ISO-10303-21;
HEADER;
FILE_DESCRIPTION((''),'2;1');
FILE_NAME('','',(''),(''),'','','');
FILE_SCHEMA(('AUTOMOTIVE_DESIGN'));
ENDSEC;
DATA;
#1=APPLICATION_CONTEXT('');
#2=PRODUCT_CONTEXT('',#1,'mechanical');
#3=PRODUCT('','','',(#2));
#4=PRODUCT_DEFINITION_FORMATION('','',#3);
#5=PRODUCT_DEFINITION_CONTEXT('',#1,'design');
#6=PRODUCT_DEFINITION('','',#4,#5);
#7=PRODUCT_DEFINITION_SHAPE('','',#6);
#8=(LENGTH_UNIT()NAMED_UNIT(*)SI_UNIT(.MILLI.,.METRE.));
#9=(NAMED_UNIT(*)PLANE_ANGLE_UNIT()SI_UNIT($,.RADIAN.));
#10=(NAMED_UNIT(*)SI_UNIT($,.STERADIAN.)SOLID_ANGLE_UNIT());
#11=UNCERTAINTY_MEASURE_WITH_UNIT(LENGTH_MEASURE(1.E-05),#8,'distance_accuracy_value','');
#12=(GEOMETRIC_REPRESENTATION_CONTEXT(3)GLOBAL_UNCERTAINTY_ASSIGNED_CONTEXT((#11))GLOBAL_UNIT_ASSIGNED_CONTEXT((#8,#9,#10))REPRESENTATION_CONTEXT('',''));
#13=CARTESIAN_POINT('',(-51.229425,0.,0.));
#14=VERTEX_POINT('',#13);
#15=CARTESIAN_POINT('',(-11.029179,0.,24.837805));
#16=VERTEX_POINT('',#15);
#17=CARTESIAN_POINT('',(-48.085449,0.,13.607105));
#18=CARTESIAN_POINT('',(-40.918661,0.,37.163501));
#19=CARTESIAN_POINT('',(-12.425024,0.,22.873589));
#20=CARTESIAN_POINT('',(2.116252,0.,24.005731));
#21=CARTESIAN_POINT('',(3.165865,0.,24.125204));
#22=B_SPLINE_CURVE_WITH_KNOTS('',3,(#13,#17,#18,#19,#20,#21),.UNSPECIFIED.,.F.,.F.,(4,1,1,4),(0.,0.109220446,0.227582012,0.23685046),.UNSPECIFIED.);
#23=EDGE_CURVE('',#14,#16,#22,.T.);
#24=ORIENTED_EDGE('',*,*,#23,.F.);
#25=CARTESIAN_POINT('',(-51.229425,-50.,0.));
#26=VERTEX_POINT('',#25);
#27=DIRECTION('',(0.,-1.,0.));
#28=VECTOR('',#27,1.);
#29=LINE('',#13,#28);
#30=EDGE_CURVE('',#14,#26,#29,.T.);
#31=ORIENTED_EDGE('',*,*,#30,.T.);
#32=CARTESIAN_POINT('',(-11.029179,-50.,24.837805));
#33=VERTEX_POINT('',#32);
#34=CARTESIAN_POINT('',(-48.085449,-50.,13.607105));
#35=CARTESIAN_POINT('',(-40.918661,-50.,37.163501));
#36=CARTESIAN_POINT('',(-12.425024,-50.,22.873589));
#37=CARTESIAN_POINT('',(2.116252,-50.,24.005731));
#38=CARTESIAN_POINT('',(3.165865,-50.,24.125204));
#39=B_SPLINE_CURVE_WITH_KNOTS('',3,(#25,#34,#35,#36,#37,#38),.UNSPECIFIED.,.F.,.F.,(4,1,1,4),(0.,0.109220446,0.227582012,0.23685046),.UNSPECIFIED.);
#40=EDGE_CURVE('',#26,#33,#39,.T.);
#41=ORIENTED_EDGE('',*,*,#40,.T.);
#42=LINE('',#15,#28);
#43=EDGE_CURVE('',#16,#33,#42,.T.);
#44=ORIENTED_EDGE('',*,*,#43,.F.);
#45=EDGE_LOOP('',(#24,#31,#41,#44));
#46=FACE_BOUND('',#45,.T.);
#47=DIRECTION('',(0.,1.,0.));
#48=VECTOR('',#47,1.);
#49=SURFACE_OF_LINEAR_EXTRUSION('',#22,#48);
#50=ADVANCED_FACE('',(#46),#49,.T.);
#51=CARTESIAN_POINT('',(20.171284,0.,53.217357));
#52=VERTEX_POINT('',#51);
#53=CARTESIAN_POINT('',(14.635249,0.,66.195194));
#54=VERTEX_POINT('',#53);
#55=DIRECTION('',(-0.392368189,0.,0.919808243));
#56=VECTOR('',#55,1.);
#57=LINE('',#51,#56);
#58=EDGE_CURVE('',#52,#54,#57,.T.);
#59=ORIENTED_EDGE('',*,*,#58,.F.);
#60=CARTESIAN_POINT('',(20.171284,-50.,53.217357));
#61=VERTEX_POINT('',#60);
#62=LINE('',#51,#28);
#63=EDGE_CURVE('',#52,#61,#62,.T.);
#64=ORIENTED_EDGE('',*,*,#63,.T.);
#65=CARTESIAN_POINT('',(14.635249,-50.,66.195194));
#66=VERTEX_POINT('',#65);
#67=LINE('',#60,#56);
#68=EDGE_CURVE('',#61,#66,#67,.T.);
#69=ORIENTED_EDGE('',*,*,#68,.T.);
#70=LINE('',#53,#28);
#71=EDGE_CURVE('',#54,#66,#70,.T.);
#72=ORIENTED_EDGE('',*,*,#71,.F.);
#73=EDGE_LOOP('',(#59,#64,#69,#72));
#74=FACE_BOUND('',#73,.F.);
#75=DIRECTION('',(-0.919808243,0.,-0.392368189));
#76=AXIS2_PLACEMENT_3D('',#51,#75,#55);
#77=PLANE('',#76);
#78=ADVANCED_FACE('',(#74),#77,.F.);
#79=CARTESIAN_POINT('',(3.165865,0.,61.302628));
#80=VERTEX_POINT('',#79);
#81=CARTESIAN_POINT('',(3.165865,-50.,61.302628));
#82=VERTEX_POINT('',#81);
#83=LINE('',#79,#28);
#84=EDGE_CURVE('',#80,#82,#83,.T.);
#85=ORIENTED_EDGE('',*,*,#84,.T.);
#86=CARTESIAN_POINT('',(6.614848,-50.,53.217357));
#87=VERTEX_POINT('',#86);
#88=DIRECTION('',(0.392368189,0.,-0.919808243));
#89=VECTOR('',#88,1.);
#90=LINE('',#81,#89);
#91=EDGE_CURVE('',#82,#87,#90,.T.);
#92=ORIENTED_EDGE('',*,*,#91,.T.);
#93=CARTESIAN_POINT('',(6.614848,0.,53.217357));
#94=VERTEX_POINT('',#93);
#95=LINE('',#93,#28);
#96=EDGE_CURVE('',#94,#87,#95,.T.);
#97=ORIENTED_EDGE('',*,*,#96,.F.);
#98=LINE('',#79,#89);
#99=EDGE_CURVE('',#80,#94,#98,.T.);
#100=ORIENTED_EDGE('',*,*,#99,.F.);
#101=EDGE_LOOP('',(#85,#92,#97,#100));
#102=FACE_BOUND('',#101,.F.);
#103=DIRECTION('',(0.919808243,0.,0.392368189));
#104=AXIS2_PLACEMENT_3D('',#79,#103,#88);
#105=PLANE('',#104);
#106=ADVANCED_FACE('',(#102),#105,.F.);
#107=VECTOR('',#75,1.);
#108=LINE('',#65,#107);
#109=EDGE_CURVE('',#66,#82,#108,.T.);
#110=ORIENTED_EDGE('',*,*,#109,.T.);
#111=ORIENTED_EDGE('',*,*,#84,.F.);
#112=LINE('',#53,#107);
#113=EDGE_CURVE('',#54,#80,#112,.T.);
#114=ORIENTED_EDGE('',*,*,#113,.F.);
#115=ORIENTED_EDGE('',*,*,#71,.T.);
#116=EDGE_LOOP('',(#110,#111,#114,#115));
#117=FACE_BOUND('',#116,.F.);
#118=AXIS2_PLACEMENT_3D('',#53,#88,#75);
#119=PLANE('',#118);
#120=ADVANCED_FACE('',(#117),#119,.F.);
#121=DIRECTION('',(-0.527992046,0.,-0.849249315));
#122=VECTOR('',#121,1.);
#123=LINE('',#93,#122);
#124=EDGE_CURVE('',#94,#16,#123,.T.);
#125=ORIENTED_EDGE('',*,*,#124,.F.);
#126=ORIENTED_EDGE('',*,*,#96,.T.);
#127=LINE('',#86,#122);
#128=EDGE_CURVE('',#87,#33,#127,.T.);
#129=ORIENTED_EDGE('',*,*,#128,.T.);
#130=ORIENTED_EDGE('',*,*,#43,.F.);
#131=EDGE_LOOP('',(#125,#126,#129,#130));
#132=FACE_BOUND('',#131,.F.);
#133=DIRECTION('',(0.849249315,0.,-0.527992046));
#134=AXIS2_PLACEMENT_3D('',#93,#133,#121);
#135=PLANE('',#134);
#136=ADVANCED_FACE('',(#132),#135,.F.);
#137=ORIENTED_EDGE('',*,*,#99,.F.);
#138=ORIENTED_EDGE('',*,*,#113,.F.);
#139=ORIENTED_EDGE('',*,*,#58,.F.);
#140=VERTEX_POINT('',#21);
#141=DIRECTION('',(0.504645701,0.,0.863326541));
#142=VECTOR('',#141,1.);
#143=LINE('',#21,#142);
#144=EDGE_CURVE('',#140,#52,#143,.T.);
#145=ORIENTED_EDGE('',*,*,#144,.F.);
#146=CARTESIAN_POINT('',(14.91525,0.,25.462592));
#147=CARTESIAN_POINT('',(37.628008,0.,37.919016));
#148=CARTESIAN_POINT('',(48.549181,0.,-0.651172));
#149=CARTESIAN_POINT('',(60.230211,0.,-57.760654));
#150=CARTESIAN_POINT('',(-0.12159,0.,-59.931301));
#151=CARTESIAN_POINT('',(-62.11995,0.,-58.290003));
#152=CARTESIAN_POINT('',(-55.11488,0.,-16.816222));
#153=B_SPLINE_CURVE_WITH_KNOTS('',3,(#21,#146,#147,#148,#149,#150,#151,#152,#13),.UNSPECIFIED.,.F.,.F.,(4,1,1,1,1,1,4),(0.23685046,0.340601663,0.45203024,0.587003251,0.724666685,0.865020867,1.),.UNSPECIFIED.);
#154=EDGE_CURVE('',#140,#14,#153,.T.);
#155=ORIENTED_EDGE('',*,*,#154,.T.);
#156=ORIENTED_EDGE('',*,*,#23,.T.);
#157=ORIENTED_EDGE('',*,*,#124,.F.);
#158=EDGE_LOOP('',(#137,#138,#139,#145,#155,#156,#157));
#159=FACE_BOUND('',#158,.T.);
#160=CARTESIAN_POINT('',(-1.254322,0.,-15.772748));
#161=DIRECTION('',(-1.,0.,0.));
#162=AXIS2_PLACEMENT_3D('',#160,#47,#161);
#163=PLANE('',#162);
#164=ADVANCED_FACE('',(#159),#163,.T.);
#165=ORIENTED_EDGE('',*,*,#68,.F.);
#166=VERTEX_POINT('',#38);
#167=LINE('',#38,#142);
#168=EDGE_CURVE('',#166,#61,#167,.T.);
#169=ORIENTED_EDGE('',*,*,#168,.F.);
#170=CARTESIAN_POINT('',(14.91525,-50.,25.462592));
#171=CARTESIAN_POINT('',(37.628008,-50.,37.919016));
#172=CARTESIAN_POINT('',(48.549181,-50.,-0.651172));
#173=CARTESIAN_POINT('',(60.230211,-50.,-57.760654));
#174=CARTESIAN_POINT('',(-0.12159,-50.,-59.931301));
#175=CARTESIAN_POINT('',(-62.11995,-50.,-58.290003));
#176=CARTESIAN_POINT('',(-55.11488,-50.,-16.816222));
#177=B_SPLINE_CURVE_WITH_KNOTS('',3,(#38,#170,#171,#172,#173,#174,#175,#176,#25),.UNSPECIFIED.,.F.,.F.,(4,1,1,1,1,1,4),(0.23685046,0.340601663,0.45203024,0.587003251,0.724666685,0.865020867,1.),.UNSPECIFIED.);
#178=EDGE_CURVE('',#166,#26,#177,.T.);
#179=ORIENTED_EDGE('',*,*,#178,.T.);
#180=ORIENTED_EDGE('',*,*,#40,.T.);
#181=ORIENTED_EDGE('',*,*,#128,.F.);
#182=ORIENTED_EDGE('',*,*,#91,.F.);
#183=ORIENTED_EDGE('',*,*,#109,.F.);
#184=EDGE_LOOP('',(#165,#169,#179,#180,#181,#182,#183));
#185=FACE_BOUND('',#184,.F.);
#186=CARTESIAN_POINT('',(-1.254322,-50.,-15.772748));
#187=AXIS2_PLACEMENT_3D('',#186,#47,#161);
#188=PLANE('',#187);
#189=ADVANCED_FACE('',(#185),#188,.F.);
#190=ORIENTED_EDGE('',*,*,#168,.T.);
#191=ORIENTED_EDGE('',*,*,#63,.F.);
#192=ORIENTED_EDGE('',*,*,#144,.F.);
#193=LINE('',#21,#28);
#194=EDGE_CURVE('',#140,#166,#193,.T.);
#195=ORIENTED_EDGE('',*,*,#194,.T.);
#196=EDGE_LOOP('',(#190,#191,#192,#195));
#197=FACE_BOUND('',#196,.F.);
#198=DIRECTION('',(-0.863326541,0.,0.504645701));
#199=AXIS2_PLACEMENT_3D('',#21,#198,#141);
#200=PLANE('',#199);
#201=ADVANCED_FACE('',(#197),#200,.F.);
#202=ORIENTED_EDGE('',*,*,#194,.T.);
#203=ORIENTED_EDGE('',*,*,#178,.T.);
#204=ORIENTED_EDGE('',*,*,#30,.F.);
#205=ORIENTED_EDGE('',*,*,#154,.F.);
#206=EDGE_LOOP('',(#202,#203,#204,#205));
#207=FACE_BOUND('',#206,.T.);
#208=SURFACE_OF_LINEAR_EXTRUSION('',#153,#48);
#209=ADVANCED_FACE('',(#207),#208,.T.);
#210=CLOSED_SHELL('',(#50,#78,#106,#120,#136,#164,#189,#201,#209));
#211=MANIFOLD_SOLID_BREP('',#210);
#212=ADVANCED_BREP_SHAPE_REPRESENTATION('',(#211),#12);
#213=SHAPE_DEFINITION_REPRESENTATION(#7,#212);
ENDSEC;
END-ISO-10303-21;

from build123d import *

# Parameters (mm, degrees)
F1_DEPTH = 50


with BuildPart() as f1:
    # F0 (on Front) → F1 (new body)
    with BuildSketch(Plane.XZ):
        with BuildLine():
            add(Edge.make_bspline(
                [(-51.2294247746, 0), (-48.0854485282, 13.6071053032), (-41.927826313, 33.8464912874), (-20.8497275357, 26.5603434156), (-11.0291788949, 24.8378052114)],
                knots=[0, 0, 0, 0, 0.1092204456, 0.1955358624, 0.1955358624, 0.1955358624, 0.1955358624], degree=3))
            add(Edge.make_bspline(
                [(3.1658646185, 24.1252042403), (14.9152500947, 25.4625918381), (37.628007928, 37.9190156376), (48.549181092, -0.6511716252), (60.2302108757, -57.760654384), (-0.1215901237, -59.9313006371), (-62.1199501481, -58.2900027863), (-55.1148803249, -16.8162220956), (-51.2294247746, 0)],
                knots=[0.23685046, 0.23685046, 0.23685046, 0.23685046, 0.3406016633, 0.4520302399, 0.5870032511, 0.7246666849, 0.8650208674, 1, 1, 1, 1], degree=3))
            add(Edge.make_bspline(
                [(-11.0291788949, 24.8378052114), (-7.3831237705, 24.198281955), (-2.5908458949, 23.6392497789), (2.1162519942, 24.0057308509), (3.1658646185, 24.1252042403)],
                knots=[0.1955358624, 0.1955358624, 0.1955358624, 0.1955358624, 0.2275820116, 0.23685046, 0.23685046, 0.23685046, 0.23685046], degree=3))
        make_face()
        with BuildLine():
            Line((6.6148478992, 53.2173570817), (-11.0291788949, 24.8378052114))
            add(Edge.make_bspline(
                [(-11.0291788949, 24.8378052114), (-7.3831237705, 24.198281955), (-2.5908458949, 23.6392497789), (2.1162519942, 24.0057308509), (3.1658646185, 24.1252042403)],
                knots=[0.1955358624, 0.1955358624, 0.1955358624, 0.1955358624, 0.2275820116, 0.23685046, 0.23685046, 0.23685046, 0.23685046], degree=3))
            Line((3.1658646185, 24.1252042403), (20.1712839563, 53.2173570817))
            Line((20.1712839563, 53.2173570817), (14.6352494443, 66.1951935157))
            Line((14.6352494443, 66.1951935157), (3.1658646185, 61.3026283682))
            Line((3.1658646185, 61.3026283682), (6.6148478992, 53.2173570817))
        make_face()
    extrude(amount=F1_DEPTH)


solid = f1.part
